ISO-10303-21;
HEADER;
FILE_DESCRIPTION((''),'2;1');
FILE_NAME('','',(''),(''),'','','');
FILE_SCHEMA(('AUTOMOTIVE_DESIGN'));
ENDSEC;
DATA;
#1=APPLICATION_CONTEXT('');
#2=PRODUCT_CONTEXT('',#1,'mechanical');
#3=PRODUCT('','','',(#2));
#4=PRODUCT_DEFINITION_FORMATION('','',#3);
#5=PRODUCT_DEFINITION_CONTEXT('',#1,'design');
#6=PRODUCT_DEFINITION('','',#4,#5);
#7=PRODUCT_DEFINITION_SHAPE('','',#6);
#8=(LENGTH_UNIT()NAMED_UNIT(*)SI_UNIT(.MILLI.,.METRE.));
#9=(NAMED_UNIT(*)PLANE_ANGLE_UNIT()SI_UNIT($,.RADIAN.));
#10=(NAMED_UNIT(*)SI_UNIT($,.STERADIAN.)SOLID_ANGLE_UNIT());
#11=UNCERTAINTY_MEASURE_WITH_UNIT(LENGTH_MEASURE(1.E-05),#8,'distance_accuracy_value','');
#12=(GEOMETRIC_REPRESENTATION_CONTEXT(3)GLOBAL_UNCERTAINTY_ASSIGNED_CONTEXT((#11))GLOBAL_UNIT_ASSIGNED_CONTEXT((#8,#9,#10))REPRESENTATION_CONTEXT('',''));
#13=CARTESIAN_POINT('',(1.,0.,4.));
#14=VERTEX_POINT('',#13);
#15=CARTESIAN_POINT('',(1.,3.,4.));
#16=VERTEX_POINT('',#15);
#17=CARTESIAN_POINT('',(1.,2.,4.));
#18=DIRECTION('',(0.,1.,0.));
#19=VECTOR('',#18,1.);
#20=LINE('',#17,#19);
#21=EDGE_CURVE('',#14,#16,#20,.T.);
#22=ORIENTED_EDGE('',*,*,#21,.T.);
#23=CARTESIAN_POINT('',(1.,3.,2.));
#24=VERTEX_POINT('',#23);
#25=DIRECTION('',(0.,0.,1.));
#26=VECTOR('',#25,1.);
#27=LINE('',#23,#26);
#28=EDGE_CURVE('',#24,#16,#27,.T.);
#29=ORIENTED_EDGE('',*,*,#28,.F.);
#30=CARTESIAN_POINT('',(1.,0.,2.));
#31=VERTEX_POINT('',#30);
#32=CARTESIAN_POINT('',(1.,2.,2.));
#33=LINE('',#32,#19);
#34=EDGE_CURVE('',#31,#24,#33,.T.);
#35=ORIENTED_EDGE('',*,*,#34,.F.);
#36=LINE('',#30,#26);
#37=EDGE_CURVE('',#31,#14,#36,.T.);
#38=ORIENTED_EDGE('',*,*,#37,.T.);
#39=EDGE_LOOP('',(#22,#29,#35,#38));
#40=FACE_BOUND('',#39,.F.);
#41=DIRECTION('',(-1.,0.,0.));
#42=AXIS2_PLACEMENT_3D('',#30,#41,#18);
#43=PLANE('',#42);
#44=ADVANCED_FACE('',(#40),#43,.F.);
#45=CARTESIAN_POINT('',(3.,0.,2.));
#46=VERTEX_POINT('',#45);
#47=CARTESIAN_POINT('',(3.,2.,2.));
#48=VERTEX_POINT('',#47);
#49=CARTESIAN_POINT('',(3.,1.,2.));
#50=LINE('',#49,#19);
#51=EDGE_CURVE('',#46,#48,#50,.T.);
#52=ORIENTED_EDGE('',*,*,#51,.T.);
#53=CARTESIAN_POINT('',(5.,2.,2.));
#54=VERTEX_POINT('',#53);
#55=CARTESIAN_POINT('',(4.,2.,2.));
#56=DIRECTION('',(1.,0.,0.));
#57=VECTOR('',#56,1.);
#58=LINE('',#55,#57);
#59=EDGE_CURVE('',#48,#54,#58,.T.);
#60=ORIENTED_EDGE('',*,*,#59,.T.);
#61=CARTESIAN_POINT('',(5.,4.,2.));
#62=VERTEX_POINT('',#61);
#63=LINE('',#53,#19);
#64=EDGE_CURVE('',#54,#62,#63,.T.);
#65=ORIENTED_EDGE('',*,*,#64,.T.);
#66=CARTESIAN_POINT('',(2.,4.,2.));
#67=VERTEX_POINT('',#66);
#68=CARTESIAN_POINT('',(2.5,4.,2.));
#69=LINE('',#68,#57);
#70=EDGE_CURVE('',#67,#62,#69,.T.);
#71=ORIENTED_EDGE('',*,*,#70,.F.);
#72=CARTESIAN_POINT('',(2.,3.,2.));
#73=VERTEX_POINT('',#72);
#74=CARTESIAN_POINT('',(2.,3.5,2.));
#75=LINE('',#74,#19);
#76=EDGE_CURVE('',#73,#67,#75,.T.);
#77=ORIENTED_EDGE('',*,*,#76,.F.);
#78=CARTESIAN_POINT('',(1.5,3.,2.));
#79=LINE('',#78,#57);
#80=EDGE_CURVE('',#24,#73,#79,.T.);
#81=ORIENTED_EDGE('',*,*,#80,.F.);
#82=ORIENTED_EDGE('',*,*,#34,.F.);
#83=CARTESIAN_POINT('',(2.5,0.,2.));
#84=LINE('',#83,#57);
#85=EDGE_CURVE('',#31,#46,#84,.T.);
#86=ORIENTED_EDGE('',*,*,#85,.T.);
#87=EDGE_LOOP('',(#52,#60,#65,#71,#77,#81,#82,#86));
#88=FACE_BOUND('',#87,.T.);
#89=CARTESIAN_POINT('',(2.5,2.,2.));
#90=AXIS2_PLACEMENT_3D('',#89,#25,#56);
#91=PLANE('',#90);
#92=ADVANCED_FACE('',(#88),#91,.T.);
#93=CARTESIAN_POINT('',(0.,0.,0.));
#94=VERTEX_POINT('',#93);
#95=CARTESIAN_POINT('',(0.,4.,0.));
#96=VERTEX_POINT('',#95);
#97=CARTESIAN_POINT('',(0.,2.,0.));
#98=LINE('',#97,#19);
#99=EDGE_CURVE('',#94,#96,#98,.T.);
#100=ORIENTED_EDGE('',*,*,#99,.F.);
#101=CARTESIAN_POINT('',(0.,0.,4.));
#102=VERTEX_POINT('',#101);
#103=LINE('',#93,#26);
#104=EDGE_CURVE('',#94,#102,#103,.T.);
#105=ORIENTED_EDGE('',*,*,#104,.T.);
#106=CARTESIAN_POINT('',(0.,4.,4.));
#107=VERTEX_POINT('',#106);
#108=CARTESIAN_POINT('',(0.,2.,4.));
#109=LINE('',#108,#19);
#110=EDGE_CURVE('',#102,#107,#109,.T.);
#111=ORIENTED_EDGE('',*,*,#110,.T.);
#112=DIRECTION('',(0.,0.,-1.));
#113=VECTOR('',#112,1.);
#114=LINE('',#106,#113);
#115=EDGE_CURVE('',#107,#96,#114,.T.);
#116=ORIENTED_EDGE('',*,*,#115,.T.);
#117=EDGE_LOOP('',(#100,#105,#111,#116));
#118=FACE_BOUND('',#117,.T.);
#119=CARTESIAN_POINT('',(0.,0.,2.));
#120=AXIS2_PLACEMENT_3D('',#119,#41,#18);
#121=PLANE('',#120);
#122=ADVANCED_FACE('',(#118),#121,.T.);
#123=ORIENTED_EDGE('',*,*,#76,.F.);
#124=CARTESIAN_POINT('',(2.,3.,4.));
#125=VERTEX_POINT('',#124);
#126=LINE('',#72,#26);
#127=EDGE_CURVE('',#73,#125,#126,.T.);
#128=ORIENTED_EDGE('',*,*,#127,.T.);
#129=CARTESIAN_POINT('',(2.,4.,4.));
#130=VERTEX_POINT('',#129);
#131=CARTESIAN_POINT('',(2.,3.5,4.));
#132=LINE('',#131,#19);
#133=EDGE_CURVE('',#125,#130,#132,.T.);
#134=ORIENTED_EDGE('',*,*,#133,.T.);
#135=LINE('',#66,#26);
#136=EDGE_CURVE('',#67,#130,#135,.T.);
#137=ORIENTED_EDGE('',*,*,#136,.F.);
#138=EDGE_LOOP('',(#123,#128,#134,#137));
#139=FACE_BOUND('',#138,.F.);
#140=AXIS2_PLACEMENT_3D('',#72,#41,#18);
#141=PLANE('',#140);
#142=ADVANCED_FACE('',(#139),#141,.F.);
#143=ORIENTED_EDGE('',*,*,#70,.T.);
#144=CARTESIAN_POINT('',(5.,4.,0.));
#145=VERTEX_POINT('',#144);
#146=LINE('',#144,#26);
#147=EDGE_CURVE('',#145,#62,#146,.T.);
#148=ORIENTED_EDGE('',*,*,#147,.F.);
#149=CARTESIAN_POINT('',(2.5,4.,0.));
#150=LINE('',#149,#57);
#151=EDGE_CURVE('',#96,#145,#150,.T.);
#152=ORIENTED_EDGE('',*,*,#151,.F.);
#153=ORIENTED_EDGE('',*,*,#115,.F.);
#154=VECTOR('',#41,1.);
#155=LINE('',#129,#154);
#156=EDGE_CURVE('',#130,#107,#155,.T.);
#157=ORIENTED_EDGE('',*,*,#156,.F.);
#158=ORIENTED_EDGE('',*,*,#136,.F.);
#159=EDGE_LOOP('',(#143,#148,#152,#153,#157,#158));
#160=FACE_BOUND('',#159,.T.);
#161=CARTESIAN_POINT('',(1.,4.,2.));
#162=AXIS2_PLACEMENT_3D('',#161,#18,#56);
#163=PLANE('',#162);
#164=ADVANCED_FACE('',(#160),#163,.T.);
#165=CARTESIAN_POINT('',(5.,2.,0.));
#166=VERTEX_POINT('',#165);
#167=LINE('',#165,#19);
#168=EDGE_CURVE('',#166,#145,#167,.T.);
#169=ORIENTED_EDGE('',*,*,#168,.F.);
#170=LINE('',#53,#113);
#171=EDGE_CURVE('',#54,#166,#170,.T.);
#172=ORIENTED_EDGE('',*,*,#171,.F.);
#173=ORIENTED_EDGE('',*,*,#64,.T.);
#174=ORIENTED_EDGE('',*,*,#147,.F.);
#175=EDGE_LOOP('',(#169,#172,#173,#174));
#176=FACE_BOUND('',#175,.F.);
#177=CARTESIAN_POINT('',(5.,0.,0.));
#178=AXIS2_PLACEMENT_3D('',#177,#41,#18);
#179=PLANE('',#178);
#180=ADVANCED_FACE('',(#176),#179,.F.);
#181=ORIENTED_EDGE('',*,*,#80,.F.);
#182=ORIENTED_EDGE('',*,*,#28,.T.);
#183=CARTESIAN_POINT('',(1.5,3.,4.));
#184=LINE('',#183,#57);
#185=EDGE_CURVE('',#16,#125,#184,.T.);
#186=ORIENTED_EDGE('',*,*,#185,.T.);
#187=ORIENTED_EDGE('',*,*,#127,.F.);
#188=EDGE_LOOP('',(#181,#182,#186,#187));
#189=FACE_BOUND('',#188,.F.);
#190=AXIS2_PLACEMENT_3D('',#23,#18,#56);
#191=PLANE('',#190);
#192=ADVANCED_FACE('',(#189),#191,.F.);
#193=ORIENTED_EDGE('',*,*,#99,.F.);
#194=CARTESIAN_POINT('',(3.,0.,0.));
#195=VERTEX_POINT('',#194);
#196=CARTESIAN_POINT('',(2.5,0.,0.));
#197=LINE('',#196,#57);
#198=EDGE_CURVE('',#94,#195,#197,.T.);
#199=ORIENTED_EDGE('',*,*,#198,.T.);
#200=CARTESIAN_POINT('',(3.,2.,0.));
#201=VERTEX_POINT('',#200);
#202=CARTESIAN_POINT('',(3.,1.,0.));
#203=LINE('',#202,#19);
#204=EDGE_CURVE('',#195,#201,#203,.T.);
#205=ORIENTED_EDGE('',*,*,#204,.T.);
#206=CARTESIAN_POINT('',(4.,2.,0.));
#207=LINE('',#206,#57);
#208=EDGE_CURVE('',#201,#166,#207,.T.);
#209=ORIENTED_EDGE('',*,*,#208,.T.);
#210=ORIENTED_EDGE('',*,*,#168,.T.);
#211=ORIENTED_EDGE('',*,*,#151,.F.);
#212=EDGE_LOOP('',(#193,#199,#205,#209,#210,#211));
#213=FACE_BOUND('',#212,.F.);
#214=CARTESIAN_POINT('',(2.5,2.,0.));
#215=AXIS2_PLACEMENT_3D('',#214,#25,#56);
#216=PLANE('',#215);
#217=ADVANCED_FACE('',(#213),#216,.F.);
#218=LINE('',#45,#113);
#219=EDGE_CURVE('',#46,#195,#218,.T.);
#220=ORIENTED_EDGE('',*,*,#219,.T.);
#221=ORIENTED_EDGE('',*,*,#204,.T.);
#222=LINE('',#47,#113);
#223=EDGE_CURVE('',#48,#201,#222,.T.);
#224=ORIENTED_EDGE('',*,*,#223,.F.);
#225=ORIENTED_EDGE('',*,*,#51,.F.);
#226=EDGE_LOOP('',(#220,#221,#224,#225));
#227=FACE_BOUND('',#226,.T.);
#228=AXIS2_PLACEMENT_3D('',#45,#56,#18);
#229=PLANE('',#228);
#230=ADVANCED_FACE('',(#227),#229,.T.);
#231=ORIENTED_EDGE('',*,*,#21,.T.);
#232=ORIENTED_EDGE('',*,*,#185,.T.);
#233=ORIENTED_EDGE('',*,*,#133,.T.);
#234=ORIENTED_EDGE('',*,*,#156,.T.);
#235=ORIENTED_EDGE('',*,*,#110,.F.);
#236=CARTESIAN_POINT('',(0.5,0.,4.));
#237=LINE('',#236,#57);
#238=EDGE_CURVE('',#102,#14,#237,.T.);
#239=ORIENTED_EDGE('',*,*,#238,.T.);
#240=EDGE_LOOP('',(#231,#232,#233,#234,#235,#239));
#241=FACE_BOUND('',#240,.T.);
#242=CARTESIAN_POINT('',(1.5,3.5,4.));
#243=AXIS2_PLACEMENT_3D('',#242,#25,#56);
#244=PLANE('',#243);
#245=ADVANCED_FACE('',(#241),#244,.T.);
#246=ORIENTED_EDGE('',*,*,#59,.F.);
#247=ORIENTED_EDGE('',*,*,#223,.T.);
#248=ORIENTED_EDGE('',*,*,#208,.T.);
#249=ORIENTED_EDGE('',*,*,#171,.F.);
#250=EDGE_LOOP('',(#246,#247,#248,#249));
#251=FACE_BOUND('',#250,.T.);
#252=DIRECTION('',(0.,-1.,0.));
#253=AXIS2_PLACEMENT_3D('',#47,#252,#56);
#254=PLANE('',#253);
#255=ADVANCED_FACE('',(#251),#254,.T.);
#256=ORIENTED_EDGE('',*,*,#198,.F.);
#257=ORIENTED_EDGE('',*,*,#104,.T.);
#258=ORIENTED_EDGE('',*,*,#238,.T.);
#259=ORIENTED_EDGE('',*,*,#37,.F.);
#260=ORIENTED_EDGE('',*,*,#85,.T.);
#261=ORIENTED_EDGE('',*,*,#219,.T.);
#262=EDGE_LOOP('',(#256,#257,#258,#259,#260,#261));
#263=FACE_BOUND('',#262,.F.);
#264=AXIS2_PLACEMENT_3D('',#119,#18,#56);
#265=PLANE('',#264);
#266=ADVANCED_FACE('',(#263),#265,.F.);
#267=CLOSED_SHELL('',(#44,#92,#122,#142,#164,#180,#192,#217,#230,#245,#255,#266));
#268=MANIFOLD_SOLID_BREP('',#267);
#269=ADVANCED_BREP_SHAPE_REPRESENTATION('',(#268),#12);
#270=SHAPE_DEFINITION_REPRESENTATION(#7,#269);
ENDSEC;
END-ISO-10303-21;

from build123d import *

# Parameters (mm, degrees)
F0_W     = 5
F0_H     = 4
F1_DEPTH = 2
F2_W     = 2
F2_H     = 2
F3_DEPTH = 2
F4_W     = 1
F4_H     = 4
F5_DEPTH = 2
F6_W     = 1
F6_H     = 1
F7_DEPTH = 2


with BuildPart() as f1:
    # F0 (on Top) → F1 (new body)
    with BuildSketch(Plane.XY):
        with Locations((2.5, 2)):
            Rectangle(F0_W, F0_H)
    extrude(amount=F1_DEPTH)

    # F2 (on face) → F3 (cut)
    with BuildSketch(Plane.XY.offset(2)):
        with Locations((4, 1)):
            Rectangle(F2_W, F2_H)
    extrude(amount=-F3_DEPTH, mode=Mode.SUBTRACT)

    # F4 (on face) → F5 (join)
    with BuildSketch(Plane.XY.offset(2)):
        with Locations((0.5, 2)):
            Rectangle(F4_W, F4_H)
    extrude(amount=F5_DEPTH)

    # F6 (on face) → F7 (join)
    with BuildSketch(Plane.XY.offset(2)):
        with Locations((1.5, 3.5)):
            Rectangle(F6_W, F6_H)
    extrude(amount=F7_DEPTH)


solid = f1.part
